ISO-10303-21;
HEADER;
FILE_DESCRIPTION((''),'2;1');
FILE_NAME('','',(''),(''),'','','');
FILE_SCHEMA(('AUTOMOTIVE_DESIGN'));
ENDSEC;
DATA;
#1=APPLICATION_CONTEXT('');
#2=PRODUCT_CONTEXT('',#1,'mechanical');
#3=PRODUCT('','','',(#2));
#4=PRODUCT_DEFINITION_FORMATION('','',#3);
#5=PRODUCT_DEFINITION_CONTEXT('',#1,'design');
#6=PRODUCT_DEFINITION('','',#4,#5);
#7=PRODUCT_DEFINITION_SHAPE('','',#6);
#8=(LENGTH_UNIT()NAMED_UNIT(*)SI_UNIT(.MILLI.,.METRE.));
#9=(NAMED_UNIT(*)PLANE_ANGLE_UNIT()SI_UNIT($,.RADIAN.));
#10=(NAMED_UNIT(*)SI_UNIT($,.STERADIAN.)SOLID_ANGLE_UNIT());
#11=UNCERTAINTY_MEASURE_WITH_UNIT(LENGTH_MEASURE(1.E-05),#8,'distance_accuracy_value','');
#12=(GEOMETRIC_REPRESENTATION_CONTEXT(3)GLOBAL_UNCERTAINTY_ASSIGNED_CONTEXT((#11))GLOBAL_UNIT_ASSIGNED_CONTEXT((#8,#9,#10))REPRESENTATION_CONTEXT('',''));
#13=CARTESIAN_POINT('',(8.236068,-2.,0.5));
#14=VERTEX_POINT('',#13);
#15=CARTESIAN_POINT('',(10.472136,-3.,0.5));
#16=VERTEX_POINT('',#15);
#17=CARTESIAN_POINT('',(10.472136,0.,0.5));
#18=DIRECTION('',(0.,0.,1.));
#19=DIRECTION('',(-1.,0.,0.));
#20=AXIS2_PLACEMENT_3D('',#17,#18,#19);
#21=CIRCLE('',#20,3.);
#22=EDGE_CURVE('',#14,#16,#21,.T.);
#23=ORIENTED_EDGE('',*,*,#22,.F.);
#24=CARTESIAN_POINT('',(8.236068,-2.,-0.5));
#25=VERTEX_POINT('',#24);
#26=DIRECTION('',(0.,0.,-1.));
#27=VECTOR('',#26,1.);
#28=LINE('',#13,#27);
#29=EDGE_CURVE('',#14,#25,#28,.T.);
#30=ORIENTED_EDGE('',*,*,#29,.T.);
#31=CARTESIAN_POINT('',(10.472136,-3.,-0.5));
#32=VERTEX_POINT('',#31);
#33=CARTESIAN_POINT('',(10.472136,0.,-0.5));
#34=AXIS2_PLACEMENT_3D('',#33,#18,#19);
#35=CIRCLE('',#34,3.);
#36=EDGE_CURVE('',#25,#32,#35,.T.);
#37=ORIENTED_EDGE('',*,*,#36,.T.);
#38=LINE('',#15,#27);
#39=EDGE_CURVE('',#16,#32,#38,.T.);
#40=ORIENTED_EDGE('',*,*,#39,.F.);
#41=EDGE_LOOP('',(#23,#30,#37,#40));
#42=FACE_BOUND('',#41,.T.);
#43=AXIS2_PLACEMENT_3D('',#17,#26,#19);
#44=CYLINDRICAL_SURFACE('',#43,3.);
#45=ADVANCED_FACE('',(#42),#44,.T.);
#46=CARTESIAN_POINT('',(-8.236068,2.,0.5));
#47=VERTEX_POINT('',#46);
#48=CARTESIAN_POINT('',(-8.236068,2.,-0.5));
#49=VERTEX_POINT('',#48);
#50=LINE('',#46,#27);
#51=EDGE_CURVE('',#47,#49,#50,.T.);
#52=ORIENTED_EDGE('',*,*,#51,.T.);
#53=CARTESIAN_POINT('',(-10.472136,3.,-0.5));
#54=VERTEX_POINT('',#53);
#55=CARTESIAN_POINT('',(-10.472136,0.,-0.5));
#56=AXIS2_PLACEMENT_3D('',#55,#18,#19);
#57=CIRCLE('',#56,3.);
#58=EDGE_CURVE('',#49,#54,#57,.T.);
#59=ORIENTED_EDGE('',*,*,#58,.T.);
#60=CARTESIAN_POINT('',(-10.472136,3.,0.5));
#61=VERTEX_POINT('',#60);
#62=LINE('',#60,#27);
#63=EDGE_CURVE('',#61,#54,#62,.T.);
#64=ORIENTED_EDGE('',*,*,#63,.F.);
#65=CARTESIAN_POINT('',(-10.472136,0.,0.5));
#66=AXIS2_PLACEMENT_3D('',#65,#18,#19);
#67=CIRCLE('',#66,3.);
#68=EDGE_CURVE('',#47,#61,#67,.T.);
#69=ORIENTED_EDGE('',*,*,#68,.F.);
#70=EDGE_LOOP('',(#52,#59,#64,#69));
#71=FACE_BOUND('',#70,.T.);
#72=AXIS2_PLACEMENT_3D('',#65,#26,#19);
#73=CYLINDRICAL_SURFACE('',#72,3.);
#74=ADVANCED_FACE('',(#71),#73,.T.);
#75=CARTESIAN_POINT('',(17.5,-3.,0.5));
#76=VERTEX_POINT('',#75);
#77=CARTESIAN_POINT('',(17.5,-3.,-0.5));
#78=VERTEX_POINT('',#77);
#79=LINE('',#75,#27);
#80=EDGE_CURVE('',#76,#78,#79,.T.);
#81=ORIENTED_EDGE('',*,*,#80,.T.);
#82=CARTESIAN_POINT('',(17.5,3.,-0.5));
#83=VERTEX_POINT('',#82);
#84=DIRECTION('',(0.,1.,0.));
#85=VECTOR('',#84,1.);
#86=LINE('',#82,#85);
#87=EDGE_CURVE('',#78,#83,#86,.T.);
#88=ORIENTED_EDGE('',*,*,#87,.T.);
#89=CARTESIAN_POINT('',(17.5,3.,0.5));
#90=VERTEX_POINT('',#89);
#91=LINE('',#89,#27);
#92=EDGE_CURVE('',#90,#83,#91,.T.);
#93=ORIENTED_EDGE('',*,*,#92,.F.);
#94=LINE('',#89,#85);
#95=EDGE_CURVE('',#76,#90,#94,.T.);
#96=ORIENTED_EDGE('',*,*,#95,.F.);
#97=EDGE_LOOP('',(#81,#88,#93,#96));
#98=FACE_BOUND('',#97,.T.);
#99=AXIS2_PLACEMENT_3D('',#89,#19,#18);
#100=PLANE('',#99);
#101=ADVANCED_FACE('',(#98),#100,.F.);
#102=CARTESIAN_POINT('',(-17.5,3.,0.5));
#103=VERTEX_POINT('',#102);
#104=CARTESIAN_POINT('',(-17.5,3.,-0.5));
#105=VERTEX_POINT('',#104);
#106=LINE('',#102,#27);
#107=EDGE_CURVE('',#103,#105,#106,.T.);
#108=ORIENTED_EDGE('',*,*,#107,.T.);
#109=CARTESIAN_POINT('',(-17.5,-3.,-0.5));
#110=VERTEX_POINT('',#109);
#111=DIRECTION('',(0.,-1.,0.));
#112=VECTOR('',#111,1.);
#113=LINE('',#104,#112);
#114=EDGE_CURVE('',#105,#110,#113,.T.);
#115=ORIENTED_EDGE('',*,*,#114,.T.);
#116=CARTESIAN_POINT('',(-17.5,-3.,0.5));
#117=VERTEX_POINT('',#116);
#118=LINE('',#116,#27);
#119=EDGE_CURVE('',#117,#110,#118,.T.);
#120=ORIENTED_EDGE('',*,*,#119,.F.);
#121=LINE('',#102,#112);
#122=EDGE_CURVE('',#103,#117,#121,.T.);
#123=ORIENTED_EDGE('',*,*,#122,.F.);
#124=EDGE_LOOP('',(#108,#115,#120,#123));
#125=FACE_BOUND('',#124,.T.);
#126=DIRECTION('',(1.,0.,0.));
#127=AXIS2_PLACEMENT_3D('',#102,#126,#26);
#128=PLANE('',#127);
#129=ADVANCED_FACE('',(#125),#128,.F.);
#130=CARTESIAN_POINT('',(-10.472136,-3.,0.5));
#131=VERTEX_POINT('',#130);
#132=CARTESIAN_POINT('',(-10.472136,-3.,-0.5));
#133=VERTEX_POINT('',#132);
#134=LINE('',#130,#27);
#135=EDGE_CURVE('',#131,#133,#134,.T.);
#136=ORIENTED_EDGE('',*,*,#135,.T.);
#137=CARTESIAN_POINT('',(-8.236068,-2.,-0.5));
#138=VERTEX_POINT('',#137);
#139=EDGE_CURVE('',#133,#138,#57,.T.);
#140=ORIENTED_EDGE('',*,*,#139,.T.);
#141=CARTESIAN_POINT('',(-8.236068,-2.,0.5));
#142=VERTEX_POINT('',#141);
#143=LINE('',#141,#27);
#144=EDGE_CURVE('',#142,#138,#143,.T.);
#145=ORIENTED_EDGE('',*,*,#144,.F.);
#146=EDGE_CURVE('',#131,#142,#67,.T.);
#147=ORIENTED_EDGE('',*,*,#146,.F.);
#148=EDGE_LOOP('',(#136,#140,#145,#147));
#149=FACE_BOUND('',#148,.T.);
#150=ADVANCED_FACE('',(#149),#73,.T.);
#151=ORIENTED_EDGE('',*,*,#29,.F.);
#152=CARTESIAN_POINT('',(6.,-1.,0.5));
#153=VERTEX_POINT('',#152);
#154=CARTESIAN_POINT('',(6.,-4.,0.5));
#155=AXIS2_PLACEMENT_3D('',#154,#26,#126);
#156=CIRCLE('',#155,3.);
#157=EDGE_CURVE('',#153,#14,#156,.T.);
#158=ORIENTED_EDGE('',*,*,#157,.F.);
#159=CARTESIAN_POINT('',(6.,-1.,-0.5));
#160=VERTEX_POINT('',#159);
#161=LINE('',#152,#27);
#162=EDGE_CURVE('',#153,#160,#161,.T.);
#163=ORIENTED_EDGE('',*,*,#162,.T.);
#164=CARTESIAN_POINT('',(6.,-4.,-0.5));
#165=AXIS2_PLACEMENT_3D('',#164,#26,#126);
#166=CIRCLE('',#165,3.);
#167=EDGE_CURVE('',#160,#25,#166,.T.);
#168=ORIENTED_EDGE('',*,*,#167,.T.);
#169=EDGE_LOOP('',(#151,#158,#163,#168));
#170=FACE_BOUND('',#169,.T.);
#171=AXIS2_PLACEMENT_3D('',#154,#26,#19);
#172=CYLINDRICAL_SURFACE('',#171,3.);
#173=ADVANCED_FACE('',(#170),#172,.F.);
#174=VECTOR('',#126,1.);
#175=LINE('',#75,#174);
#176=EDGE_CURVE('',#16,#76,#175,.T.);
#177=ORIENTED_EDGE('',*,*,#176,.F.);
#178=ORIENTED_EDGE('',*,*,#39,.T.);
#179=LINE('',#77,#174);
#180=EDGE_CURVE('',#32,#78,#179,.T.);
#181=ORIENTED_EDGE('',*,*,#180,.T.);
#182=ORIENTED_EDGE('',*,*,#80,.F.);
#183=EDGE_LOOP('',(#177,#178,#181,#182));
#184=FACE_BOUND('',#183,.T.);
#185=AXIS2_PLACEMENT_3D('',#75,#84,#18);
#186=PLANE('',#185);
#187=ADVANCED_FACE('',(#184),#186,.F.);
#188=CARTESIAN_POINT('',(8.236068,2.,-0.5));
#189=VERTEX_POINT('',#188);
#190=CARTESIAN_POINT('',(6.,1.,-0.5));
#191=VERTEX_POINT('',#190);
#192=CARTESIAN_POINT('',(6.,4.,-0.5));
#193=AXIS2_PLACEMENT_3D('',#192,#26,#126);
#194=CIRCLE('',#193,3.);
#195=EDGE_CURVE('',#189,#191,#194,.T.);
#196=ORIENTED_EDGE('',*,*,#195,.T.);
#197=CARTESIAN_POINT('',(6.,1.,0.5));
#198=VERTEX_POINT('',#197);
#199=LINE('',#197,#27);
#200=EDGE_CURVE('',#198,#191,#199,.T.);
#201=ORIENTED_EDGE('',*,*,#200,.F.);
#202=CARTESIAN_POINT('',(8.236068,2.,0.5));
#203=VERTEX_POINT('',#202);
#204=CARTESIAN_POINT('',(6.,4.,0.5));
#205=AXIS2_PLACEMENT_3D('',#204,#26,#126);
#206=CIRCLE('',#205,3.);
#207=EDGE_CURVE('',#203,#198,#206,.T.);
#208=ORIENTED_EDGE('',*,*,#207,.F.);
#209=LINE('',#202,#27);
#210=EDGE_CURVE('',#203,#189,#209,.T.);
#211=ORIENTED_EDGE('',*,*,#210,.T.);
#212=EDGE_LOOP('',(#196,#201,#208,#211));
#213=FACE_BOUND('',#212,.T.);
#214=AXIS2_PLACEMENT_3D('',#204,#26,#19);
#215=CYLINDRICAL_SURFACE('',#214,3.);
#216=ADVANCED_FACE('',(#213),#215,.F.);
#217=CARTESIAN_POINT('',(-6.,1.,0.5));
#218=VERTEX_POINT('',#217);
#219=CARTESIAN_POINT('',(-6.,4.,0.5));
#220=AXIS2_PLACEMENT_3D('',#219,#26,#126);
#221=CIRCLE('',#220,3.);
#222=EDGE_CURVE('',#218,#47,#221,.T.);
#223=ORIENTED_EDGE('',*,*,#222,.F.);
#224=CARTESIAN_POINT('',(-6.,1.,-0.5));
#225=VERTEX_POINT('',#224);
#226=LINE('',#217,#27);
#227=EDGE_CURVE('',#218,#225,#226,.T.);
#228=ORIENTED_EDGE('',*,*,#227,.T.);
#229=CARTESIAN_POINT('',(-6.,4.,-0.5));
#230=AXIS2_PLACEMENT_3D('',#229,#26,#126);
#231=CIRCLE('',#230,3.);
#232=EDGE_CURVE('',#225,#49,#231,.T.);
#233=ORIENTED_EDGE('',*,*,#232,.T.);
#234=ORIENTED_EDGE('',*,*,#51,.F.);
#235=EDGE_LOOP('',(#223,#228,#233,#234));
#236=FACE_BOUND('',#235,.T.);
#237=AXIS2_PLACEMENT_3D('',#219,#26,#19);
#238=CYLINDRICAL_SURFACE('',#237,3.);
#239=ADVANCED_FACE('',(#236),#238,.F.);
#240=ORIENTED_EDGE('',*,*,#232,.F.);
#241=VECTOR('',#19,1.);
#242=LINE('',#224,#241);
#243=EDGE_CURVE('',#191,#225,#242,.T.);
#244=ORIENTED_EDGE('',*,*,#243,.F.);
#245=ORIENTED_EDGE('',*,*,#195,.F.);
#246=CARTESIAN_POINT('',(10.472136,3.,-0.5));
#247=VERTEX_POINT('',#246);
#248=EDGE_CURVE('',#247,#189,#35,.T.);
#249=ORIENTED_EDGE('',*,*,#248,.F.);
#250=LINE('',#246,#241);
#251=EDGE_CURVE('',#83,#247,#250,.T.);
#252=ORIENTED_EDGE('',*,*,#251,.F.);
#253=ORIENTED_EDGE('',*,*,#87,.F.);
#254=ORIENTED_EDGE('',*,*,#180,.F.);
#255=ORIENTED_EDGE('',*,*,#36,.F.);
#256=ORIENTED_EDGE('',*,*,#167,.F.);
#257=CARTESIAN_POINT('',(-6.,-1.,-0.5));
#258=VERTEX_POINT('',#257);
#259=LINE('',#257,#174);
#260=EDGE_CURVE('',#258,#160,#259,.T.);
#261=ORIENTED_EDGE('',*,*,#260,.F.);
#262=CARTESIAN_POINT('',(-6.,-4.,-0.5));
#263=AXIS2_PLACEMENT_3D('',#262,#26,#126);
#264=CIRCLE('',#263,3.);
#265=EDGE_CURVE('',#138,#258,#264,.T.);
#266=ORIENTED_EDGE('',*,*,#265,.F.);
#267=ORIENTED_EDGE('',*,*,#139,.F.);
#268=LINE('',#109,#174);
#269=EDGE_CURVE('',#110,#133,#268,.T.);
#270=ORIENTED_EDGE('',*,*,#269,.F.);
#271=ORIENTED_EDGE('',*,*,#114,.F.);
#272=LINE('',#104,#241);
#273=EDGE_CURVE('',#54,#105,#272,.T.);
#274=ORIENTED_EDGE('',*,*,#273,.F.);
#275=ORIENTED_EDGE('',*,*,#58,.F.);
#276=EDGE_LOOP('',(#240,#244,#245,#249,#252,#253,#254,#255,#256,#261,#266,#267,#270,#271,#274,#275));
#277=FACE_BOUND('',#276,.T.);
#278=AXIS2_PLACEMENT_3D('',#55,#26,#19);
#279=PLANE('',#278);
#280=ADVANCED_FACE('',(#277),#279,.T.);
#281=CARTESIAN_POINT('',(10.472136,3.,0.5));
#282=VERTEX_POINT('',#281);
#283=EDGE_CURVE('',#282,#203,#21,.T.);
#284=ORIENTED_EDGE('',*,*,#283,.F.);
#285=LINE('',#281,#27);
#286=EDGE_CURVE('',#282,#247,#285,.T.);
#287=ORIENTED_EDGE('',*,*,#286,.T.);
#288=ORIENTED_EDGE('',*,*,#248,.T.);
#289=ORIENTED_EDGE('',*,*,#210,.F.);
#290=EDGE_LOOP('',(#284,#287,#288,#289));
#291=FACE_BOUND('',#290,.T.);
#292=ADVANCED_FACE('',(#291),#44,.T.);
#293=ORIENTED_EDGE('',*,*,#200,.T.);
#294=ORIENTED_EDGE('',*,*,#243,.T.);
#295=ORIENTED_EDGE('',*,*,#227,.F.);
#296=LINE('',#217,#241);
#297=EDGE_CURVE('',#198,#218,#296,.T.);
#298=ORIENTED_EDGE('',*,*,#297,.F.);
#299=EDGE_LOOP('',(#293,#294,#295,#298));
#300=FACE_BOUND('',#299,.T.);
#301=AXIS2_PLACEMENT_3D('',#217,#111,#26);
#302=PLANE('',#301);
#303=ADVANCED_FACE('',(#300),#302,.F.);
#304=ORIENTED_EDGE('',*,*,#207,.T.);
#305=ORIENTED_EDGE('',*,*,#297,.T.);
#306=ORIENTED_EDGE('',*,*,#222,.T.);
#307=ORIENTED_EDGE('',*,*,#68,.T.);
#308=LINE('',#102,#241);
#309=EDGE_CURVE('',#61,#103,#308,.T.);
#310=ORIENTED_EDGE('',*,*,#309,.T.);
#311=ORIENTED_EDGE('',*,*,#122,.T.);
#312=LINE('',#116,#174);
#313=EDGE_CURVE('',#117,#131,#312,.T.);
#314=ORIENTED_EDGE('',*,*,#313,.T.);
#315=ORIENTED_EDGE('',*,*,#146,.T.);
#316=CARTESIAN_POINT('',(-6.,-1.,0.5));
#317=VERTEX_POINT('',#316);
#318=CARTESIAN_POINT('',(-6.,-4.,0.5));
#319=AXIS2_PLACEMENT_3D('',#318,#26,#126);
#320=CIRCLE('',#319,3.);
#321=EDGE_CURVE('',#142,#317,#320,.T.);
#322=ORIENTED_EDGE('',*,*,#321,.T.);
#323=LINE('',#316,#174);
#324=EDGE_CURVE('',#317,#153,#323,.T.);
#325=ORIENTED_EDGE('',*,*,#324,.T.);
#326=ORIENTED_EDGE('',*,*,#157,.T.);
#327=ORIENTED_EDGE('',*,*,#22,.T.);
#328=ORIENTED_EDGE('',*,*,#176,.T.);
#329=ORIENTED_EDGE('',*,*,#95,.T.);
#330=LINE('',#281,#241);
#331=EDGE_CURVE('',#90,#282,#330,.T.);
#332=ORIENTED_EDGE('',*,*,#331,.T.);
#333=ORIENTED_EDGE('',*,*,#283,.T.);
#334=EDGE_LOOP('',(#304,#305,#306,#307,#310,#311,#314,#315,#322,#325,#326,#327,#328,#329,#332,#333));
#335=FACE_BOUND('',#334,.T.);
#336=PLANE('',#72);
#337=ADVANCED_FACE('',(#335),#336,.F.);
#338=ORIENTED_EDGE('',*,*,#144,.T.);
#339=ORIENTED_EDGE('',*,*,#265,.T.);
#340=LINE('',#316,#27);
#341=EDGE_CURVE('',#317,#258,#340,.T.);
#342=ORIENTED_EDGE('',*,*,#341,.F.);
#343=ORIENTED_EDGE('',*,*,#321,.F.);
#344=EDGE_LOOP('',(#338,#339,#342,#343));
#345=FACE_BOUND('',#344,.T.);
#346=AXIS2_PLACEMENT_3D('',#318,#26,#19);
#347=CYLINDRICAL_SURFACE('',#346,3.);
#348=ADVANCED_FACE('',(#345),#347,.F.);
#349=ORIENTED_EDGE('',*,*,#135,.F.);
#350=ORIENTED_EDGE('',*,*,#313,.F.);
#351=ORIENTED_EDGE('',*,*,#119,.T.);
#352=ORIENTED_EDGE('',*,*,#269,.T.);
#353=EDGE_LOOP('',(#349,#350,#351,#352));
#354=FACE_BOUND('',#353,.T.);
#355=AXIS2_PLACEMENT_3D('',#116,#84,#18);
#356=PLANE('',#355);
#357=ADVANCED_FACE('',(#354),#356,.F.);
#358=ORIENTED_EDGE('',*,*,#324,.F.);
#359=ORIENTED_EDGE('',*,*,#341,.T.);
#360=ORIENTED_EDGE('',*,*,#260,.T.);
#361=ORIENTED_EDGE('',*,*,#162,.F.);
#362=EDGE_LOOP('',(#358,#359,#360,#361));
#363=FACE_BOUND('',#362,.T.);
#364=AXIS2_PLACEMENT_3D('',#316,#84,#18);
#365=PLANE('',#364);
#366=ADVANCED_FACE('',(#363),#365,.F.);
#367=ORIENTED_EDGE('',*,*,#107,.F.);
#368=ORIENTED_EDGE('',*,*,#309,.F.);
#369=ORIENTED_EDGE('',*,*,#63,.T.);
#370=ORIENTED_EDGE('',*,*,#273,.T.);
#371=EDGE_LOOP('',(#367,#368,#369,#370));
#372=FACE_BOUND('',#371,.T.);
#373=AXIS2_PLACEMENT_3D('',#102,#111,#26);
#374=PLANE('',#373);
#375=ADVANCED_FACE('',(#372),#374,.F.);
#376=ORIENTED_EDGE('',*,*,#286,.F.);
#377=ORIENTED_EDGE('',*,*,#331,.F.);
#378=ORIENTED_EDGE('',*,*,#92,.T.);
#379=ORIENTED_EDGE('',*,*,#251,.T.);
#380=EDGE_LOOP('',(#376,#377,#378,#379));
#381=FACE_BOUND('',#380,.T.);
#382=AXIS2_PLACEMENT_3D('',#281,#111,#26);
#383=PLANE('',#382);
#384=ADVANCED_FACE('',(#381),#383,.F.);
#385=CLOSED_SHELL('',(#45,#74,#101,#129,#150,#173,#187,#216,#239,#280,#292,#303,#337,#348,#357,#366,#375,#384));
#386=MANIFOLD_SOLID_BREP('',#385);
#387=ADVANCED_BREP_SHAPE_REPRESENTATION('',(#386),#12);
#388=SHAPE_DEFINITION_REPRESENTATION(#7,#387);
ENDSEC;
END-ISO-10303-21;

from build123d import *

# Parameters (mm, degrees)
BOSS_EXTRUDE1_DEPTH = 0.5


with BuildPart() as part:
    # Sketch1 → Boss-Extrude1 (new body, symmetric)
    with BuildSketch(Plane.XY):
        with BuildLine():
            Line((-17.5, 3), (-17.5, -3))
            Line((-17.5, -3), (-10.472135955, -3))
            ThreePointArc((-10.472135955, -3), (-9.247391084, -2.738612788), (-8.236067977, -2))
            ThreePointArc((-8.236067977, -2), (-7.224744871, -1.261387212), (-6, -1))
            Line((-6, -1), (6, -1))
            ThreePointArc((6, -1), (7.224744871, -1.261387212), (8.236067977, -2))
            ThreePointArc((8.236067977, -2), (9.247391084, -2.738612788), (10.472135955, -3))
            Line((10.472135955, -3), (17.5, -3))
            Line((17.5, -3), (17.5, 3))
            Line((17.5, 3), (10.472135955, 3))
            ThreePointArc((10.472135955, 3), (9.247391084, 2.738612788), (8.236067977, 2))
            ThreePointArc((8.236067977, 2), (7.224744871, 1.261387212), (6, 1))
            Line((6, 1), (-6, 1))
            ThreePointArc((-6, 1), (-7.224744871, 1.261387212), (-8.236067977, 2))
            ThreePointArc((-8.236067977, 2), (-9.247391084, 2.738612788), (-10.472135955, 3))
            Line((-10.472135955, 3), (-17.5, 3))
        make_face()
    extrude(amount=BOSS_EXTRUDE1_DEPTH, both=True)


solid = part.part
